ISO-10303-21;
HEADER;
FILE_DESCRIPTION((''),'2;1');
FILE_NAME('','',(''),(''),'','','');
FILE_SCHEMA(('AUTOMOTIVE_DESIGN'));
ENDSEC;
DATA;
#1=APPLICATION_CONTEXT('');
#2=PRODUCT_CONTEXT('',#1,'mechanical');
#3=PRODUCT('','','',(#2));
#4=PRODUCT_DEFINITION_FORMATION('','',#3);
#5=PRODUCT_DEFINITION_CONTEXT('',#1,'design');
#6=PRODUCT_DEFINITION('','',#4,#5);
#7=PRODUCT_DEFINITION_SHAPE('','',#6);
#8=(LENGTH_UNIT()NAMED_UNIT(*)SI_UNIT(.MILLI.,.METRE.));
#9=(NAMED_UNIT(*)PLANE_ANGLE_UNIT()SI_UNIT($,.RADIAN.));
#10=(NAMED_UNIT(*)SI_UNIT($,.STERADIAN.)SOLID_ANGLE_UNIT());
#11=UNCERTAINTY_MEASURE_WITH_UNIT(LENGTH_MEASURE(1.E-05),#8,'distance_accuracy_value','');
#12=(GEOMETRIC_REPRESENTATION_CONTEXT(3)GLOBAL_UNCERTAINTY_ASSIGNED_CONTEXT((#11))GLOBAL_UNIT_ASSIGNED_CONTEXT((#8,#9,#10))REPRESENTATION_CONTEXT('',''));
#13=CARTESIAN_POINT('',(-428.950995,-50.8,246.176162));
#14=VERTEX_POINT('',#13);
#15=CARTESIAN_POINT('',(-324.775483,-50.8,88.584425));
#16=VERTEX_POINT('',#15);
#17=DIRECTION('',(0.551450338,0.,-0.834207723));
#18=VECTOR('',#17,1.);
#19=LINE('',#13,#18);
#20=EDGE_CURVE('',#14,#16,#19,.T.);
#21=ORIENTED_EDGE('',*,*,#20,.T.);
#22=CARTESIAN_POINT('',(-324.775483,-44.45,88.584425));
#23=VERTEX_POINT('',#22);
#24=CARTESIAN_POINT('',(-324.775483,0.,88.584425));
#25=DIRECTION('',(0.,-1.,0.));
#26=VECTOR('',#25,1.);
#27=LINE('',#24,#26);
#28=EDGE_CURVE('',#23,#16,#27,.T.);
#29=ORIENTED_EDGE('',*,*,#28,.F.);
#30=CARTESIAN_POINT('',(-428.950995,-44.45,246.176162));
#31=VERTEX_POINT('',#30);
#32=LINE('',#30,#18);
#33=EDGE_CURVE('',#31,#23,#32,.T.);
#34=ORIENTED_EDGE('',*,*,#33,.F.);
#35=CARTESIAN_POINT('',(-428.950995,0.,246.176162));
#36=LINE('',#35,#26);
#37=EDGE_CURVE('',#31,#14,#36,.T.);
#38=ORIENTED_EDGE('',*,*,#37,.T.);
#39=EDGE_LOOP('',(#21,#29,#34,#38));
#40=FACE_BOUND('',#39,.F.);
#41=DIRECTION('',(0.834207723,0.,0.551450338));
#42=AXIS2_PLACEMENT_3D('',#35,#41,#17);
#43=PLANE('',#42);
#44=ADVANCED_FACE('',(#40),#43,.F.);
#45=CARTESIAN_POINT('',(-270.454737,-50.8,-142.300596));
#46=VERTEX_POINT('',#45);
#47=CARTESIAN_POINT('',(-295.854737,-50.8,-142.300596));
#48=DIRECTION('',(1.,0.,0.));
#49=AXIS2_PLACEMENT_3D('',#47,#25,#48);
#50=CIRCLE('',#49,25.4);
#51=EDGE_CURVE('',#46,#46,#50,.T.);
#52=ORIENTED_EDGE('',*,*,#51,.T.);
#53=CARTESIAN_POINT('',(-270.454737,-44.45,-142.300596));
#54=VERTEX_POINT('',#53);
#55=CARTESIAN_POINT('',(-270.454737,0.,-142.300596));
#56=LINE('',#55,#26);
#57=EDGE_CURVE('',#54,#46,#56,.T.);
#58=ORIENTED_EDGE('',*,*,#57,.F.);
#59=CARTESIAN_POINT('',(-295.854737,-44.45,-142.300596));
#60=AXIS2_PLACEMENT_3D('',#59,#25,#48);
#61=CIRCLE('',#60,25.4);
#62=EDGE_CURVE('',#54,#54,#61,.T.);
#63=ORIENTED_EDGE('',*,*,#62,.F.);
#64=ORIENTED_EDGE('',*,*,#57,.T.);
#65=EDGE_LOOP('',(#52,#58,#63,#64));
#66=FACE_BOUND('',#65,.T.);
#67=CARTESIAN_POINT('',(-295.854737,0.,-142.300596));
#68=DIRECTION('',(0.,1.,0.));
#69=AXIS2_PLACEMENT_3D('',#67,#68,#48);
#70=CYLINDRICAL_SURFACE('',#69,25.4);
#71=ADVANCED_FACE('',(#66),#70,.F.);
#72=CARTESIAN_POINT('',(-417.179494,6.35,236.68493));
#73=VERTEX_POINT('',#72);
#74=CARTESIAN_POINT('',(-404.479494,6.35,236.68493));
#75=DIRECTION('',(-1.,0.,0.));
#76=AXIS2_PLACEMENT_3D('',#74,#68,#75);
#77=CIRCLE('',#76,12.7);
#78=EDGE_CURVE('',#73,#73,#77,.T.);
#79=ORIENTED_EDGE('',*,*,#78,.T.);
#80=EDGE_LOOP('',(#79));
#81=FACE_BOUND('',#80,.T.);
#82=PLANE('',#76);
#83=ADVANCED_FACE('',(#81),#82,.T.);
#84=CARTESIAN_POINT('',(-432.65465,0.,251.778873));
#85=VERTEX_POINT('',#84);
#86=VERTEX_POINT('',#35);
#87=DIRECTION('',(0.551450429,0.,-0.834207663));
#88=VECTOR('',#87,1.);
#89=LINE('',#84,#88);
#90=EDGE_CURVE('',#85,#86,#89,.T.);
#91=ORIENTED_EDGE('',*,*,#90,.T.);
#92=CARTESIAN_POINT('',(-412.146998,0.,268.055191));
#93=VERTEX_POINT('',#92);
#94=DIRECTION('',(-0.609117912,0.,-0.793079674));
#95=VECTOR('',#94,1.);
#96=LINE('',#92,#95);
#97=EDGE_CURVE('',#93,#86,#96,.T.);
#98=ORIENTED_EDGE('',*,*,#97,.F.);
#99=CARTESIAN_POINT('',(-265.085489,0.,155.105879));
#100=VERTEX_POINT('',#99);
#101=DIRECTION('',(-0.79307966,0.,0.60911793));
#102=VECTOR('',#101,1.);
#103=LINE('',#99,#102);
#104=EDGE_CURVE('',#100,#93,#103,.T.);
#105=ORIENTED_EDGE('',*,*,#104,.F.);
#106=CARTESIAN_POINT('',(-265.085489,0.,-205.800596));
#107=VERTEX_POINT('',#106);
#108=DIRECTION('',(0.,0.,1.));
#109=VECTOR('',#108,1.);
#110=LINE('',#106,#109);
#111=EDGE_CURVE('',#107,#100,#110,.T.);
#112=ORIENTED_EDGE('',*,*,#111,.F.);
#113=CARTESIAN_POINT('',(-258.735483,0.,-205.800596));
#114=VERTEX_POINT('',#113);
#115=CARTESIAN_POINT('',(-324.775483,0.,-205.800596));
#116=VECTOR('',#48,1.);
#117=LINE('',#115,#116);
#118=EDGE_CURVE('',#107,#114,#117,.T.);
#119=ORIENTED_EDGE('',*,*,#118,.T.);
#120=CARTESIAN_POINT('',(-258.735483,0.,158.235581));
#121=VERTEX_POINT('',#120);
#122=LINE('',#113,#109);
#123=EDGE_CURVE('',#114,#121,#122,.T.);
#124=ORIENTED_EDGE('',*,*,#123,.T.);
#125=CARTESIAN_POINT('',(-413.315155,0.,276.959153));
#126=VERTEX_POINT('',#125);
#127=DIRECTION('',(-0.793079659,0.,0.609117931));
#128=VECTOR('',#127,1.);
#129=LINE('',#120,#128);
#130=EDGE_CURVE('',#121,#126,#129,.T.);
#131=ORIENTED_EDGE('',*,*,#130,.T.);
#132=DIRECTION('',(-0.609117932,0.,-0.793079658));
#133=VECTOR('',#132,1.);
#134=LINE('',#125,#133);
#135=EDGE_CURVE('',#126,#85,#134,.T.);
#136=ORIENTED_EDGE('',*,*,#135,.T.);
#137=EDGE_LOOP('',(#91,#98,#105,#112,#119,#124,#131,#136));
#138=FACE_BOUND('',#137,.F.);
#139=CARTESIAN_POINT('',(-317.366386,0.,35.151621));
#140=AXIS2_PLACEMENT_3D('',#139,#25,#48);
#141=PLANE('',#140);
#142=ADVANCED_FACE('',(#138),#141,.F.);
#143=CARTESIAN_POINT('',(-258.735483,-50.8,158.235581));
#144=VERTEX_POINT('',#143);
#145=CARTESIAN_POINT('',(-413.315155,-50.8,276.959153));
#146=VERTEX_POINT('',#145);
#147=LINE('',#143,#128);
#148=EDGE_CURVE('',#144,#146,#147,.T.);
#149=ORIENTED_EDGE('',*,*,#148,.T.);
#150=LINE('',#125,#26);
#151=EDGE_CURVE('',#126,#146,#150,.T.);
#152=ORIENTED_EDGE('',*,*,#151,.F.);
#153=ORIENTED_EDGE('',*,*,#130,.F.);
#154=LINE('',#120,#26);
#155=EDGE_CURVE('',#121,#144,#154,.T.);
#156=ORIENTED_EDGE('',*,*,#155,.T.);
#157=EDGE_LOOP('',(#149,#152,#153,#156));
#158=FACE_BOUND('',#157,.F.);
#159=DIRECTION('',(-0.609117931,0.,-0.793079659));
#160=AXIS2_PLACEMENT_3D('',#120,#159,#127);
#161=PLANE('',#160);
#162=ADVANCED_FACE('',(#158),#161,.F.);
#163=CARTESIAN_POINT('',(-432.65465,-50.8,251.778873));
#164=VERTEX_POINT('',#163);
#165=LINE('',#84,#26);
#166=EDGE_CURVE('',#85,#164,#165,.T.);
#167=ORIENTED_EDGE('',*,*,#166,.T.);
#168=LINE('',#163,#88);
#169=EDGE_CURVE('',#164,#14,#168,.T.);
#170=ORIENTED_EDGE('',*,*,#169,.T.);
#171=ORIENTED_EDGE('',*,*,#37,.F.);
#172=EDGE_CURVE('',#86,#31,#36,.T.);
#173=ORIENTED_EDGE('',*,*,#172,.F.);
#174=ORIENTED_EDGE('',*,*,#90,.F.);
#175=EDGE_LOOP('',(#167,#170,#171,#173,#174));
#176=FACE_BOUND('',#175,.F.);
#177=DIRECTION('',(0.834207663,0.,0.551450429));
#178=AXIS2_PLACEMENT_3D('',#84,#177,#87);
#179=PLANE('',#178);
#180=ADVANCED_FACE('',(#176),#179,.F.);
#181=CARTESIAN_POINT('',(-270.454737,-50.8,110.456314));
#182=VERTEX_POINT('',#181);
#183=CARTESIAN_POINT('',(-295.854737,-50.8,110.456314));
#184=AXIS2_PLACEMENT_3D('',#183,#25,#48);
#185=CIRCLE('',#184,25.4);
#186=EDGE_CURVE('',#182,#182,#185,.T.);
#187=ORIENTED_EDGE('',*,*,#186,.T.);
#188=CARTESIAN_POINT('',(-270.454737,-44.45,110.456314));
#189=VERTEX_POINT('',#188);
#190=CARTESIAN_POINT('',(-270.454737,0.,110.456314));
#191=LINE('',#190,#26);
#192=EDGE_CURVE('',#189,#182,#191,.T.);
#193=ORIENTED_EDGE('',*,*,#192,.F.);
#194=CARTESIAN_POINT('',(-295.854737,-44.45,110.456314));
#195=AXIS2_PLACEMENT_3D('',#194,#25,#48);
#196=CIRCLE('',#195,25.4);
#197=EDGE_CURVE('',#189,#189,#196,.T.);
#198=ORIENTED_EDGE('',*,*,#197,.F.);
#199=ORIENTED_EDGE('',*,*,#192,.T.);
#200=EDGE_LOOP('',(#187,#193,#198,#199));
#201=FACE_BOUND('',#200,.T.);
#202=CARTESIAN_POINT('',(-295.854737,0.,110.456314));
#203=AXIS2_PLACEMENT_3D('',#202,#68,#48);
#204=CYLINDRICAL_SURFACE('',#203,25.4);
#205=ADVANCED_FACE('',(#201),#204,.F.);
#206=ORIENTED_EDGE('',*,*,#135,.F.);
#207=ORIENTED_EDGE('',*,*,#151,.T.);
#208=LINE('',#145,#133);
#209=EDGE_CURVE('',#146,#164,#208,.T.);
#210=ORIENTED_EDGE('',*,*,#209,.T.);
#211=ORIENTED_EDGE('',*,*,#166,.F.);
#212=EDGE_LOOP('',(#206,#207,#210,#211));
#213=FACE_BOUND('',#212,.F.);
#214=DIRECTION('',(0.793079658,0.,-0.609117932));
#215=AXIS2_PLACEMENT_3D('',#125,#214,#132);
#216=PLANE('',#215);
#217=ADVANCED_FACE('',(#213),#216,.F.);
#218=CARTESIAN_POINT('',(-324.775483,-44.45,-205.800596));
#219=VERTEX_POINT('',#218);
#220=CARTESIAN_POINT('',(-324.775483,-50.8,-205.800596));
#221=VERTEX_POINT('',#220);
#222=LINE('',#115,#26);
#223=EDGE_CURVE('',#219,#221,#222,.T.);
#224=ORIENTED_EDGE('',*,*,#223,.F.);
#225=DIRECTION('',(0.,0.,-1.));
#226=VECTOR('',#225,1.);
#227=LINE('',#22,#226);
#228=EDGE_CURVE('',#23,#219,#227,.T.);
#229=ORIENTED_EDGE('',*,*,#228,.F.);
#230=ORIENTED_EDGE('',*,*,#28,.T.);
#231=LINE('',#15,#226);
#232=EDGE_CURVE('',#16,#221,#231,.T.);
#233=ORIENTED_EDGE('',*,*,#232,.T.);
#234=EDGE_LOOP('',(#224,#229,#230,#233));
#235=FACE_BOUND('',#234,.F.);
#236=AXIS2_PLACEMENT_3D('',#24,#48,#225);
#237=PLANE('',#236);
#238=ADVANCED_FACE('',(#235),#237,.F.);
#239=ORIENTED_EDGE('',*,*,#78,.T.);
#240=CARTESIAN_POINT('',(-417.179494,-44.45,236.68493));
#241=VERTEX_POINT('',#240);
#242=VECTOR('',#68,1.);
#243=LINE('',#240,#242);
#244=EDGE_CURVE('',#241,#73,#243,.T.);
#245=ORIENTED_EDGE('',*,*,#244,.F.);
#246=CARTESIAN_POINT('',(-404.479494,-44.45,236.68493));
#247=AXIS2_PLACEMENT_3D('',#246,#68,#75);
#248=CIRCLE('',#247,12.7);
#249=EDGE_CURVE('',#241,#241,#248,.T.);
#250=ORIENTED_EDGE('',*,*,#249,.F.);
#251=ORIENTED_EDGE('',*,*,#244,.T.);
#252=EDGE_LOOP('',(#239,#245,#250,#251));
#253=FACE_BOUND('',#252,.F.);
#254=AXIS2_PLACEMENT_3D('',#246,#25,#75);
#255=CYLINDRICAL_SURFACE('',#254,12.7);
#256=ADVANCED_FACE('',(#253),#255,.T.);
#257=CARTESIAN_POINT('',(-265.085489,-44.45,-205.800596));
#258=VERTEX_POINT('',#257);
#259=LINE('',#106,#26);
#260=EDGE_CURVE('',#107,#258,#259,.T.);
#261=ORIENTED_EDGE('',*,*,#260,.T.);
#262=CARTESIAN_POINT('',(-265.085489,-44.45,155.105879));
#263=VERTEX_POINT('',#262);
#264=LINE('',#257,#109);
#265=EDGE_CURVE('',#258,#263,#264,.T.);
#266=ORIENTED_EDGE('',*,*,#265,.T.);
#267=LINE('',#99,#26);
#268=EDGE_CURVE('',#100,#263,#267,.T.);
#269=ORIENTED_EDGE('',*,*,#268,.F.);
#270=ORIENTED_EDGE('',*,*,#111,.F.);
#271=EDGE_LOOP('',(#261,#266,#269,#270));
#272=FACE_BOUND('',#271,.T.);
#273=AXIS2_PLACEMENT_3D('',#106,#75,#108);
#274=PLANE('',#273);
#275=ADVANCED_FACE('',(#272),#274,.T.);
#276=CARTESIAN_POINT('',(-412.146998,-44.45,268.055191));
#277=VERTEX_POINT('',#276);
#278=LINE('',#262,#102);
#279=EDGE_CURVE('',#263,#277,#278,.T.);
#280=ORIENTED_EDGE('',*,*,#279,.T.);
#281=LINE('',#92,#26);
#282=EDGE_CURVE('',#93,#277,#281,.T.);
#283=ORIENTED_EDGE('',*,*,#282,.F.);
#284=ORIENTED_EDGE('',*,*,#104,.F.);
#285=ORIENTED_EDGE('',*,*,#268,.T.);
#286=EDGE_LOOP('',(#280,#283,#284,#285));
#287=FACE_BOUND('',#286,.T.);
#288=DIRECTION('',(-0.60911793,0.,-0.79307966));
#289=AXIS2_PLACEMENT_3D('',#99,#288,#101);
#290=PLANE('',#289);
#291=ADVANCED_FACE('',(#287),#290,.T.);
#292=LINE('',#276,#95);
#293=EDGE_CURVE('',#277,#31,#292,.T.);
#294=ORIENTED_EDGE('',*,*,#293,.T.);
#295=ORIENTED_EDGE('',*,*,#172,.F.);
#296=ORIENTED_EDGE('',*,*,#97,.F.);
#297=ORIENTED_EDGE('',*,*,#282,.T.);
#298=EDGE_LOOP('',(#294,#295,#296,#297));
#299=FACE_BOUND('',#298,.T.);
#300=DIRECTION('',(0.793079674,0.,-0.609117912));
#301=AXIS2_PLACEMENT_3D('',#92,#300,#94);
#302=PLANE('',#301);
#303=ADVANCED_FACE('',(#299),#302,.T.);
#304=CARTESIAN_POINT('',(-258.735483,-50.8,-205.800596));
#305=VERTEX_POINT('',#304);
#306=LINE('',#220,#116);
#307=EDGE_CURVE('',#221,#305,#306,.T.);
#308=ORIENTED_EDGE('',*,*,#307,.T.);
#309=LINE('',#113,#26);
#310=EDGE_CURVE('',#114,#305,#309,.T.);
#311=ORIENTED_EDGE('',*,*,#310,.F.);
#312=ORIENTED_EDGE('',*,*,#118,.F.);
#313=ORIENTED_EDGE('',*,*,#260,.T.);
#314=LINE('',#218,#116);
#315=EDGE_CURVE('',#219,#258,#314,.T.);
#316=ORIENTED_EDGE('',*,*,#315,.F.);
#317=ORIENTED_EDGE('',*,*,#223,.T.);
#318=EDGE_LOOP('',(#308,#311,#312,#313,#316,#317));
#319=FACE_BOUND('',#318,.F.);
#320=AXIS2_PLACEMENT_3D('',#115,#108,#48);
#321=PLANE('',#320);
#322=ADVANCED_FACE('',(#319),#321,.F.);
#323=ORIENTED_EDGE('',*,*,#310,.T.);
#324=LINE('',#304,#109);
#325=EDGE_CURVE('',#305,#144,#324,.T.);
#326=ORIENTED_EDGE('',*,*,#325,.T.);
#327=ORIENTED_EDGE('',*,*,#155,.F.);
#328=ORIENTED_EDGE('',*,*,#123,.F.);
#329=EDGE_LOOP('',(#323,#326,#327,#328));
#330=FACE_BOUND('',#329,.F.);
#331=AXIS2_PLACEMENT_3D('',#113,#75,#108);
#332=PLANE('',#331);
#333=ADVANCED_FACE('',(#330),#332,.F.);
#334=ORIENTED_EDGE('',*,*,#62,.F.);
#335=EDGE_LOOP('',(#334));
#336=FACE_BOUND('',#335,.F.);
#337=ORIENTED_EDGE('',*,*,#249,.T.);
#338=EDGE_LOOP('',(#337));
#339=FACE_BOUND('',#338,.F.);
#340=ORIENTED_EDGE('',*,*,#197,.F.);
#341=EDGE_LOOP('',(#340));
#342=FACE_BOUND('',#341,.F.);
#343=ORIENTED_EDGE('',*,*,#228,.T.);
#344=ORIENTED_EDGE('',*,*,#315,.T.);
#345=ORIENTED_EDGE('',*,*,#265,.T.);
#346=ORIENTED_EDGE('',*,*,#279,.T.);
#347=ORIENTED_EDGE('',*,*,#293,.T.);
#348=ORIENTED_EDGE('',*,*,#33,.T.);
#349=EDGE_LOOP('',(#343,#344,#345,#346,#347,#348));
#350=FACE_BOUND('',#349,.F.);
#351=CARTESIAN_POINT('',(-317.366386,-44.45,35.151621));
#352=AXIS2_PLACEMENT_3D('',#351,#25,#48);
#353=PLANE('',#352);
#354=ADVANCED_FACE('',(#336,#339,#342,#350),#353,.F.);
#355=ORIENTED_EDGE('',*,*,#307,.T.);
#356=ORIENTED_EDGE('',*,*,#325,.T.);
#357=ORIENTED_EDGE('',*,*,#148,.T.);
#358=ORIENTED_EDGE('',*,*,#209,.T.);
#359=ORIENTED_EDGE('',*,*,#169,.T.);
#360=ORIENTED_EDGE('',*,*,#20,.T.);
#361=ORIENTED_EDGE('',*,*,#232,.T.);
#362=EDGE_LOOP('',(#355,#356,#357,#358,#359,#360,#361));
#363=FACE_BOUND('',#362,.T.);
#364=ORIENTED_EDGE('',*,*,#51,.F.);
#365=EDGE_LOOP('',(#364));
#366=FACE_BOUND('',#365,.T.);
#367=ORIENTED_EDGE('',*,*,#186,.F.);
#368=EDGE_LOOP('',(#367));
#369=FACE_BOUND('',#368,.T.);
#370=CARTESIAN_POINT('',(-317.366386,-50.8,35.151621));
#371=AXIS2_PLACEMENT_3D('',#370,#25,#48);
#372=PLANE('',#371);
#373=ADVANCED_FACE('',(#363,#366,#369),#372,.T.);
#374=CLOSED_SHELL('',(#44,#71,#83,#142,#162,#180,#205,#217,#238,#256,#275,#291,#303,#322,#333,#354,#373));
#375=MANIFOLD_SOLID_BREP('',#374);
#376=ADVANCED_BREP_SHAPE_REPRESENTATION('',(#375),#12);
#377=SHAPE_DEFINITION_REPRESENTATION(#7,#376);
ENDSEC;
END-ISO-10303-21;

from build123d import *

# Parameters (mm, degrees)
F0_R     = 25.4
F1_DEPTH = 50.8
F2_DEPTH = 44.45
F3_R     = 12.7
F4_DEPTH = 50.8


with BuildPart() as f1:
    # F0 (on Front) → F1 (new body)
    with BuildSketch(Plane.XZ):
        Polygon((-324.775483, -205.800596), (-265.085489, -205.800596), (-265.085489, 155.105879), (-412.146998, 268.055191), (-428.950995, 246.176162), (-324.775483, 88.584425), align=None)
        with Locations((-295.854737, -142.300596)):
            Circle(F0_R, mode=Mode.SUBTRACT)
        with Locations((-295.854737, 110.456314)):
            Circle(F0_R, mode=Mode.SUBTRACT)
        Polygon((-265.085489, -205.800596), (-258.735483, -205.800596), (-258.735483, 158.235581), (-413.315155, 276.959153), (-432.65465, 251.778873), (-428.950995, 246.176162), (-412.146998, 268.055191), (-265.085489, 155.105879), align=None)
    extrude(amount=F1_DEPTH)

    # F0 (on Front) → F2 (cut)
    with BuildSketch(Plane.XZ):
        Polygon((-324.775483, -205.800596), (-265.085489, -205.800596), (-265.085489, 155.105879), (-412.146998, 268.055191), (-428.950995, 246.176162), (-324.775483, 88.584425), align=None)
        with Locations((-295.854737, -142.300596)):
            Circle(F0_R, mode=Mode.SUBTRACT)
        with Locations((-295.854737, 110.456314)):
            Circle(F0_R, mode=Mode.SUBTRACT)
    extrude(amount=F2_DEPTH, mode=Mode.SUBTRACT)

    # F3 (on face) → F4 (join)
    with BuildSketch(Plane(origin=(0, -44.45, 0), x_dir=(-1, 0, 0), z_dir=(0, 1, 0))):
        with Locations((404.479494, 236.68493)):
            Circle(F3_R)
    extrude(amount=F4_DEPTH)


solid = f1.part
